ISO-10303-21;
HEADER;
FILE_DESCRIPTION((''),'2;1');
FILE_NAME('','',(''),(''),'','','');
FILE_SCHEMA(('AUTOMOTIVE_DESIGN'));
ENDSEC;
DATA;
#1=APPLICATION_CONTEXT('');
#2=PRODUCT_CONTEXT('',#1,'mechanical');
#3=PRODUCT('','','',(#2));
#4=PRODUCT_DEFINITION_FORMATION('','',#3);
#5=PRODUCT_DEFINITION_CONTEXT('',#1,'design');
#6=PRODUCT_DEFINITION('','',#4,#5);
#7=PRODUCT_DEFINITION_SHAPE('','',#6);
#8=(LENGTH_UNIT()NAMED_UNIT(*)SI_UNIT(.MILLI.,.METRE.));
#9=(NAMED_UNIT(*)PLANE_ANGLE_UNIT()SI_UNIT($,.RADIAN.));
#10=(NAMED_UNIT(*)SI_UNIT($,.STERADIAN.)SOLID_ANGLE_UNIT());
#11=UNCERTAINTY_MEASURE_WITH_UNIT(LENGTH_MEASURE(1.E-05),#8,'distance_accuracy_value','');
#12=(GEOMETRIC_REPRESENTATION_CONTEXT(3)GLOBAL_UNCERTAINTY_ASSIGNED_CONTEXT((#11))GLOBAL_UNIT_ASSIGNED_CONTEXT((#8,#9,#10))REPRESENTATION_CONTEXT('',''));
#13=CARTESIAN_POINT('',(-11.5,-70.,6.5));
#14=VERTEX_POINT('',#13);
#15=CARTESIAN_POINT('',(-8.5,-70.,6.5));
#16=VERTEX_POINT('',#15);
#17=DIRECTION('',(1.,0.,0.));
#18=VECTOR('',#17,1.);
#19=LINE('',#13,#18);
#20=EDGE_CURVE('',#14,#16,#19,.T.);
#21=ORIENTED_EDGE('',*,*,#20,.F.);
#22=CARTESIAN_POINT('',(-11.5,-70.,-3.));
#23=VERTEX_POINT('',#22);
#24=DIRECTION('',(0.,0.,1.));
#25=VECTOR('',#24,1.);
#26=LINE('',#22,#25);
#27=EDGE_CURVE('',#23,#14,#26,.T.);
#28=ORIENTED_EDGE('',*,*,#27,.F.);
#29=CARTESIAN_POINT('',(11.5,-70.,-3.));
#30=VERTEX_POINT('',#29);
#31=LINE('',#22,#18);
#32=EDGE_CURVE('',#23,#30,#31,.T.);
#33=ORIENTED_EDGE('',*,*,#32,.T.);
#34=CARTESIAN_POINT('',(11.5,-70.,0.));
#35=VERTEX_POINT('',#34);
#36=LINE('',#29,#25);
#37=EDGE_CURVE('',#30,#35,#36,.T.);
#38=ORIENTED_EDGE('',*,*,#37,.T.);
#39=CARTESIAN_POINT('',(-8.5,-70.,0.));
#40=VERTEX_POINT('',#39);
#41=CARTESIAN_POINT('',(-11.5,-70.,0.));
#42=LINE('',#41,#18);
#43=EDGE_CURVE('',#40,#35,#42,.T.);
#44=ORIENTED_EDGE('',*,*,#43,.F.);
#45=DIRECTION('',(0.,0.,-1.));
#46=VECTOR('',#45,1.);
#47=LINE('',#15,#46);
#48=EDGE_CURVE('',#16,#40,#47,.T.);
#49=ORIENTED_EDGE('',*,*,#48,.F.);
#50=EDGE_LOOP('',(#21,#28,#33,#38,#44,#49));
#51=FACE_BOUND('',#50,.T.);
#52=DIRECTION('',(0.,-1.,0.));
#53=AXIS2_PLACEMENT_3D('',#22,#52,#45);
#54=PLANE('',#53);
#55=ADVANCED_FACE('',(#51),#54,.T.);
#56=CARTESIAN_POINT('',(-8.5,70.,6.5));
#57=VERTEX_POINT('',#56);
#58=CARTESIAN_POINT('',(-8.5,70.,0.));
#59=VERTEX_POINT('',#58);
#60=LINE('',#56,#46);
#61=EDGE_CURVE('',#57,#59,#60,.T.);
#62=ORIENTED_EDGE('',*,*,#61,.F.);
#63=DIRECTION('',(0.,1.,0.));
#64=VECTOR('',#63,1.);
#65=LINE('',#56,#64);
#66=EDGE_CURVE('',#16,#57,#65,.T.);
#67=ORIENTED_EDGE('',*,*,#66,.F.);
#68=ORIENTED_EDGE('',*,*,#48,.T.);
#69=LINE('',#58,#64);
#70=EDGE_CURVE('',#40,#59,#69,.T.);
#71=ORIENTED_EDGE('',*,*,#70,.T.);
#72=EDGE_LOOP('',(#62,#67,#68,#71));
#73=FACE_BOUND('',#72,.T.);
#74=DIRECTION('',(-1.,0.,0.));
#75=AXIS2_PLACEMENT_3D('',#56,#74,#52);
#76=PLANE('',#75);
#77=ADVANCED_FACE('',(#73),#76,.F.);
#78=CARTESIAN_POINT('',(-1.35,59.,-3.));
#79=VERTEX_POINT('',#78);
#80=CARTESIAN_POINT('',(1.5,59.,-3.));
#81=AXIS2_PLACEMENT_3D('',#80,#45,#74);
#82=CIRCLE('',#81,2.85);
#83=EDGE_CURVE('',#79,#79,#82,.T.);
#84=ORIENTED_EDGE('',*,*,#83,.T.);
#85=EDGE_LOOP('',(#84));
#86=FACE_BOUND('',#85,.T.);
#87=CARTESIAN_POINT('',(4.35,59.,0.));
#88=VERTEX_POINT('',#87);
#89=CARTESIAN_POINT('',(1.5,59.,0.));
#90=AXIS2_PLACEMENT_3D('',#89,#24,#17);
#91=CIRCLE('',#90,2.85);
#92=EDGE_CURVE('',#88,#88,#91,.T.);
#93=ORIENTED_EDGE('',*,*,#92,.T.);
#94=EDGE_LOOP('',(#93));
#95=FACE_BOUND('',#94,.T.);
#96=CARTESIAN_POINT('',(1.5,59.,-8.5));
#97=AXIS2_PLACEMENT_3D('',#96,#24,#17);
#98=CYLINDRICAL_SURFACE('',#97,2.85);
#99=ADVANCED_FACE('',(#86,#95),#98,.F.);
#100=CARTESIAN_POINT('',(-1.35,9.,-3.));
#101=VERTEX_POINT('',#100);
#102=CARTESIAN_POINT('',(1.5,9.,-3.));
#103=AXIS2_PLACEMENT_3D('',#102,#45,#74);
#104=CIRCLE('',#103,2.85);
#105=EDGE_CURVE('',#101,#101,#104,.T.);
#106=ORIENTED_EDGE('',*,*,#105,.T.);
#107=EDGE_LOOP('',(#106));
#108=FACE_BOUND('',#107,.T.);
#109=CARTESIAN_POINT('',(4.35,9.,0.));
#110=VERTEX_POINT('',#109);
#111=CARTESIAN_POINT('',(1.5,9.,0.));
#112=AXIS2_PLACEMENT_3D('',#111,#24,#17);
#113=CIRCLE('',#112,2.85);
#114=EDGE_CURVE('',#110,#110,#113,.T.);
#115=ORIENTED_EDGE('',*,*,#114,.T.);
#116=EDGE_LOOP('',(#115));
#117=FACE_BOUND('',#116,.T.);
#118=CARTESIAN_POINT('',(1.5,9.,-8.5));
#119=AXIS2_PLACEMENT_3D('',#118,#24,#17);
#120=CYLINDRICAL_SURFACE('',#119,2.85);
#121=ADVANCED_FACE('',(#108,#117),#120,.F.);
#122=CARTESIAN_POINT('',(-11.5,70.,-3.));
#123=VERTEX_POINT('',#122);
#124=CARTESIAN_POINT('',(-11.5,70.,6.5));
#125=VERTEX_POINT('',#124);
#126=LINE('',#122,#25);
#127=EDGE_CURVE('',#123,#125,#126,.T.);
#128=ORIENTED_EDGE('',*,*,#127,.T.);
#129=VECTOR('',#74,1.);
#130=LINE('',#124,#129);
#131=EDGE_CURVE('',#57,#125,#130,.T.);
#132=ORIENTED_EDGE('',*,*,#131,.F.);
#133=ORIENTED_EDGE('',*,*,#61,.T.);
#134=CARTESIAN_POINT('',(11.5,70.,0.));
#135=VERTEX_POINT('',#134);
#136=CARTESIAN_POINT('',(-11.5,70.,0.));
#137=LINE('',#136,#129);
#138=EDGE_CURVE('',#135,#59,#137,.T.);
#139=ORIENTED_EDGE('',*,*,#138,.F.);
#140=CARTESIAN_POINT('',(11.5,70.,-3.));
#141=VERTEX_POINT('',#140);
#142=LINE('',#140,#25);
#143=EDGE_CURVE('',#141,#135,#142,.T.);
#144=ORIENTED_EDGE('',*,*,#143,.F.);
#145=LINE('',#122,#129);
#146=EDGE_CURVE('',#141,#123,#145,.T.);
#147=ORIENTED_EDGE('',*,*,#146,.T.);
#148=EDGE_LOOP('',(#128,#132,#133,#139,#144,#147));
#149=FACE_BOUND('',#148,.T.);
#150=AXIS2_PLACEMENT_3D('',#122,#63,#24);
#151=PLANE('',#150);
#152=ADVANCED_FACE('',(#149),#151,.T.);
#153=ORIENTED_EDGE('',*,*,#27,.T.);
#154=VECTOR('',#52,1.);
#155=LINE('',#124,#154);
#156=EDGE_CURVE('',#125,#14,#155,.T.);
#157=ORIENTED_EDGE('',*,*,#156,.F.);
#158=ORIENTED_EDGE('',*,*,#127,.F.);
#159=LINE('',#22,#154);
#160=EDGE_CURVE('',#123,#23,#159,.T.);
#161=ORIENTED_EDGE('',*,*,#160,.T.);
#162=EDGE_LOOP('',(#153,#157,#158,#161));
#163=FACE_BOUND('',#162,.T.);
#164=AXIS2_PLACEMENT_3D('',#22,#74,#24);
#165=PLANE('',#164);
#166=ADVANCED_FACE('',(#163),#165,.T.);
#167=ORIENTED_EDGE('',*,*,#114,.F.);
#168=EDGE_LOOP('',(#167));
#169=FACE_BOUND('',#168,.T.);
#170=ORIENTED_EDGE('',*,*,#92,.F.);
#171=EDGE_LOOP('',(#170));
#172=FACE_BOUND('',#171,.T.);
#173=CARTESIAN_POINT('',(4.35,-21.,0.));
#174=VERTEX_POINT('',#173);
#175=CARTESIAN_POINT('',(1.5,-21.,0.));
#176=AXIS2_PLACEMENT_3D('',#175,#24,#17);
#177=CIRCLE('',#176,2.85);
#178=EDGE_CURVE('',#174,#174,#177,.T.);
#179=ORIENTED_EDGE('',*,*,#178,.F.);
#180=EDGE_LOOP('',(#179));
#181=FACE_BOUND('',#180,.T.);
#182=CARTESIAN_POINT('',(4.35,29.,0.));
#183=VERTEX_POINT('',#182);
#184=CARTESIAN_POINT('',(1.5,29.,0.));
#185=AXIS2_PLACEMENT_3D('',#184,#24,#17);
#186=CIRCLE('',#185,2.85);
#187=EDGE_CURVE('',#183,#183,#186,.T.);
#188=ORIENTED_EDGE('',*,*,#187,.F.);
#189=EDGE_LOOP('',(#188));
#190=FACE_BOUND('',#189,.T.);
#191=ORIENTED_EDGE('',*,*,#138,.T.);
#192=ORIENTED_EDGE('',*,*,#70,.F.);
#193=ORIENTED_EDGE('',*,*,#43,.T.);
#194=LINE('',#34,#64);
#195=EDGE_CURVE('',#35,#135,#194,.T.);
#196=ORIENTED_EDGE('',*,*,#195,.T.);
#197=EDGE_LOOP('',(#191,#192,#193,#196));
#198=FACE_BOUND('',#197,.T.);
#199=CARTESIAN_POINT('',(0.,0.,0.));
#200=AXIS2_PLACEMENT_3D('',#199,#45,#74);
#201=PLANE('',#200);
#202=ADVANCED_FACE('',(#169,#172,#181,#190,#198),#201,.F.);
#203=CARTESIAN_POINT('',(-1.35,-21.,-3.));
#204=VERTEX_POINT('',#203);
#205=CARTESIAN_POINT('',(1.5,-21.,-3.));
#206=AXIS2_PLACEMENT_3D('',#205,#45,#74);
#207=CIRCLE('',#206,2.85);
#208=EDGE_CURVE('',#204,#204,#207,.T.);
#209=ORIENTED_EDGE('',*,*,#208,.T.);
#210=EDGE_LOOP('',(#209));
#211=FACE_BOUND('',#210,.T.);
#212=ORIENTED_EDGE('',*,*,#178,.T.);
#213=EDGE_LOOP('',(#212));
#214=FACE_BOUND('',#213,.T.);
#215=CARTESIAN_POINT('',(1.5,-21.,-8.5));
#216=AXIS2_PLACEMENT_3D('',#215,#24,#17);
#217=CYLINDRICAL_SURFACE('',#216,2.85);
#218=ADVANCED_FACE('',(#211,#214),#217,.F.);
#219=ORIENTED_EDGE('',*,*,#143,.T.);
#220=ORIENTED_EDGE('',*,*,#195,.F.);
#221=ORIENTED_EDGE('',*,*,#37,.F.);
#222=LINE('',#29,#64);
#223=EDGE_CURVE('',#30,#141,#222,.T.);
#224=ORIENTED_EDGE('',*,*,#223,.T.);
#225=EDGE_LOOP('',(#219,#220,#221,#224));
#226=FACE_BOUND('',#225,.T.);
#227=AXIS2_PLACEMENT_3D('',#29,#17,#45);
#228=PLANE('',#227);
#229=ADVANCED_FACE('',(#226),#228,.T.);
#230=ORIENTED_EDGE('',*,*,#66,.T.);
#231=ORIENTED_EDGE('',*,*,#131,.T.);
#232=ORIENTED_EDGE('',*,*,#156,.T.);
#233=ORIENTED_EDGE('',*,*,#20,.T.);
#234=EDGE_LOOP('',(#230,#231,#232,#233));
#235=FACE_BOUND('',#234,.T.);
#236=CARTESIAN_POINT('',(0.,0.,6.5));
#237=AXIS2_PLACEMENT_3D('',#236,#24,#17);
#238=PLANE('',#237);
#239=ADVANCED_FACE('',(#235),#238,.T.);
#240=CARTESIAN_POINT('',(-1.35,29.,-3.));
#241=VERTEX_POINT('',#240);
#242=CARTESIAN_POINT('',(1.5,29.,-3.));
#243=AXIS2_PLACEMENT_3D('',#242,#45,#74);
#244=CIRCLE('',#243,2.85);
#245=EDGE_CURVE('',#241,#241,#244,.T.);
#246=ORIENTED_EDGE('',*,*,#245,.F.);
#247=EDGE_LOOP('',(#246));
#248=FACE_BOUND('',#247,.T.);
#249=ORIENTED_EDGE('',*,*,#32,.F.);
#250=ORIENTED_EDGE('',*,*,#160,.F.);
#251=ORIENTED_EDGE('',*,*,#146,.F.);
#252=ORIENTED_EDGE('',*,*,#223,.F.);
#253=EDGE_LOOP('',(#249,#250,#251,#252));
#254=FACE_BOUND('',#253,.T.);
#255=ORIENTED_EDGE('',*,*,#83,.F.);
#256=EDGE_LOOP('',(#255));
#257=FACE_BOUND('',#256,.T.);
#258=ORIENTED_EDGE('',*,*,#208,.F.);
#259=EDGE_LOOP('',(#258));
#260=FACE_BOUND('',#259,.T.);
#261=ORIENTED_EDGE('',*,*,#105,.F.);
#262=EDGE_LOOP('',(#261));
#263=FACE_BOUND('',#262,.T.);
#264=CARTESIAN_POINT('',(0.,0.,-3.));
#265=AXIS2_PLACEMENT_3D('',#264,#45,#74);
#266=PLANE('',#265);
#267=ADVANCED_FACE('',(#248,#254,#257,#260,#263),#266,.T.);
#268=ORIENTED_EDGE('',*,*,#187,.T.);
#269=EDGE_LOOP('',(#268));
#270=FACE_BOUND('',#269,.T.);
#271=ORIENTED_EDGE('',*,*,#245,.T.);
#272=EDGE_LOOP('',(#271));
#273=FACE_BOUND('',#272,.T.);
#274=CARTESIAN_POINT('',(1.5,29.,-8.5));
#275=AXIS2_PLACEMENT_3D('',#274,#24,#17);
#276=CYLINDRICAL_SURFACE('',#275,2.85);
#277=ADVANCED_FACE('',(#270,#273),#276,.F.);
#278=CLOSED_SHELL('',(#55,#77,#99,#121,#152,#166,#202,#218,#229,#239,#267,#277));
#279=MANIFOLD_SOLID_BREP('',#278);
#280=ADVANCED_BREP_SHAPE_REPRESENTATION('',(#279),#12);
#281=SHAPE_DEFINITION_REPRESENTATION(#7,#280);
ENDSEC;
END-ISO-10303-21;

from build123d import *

# Parameters (mm, degrees)
SKETCH1_W           = 23
SKETCH1_H           = 140
BOSS_EXTRUDE1_DEPTH = 3
SKETCH4_W           = 3
SKETCH4_H           = 140
BOSS_EXTRUDE3_DEPTH = 6.5
SKETCH3_R           = 2.85
CUT_EXTRUDE5_DEPTH  = 8.5


with BuildPart() as part:
    # Sketch1 → Boss-Extrude1 (new body)
    with BuildSketch(Plane.XY):
        Rectangle(SKETCH1_W, SKETCH1_H)
    extrude(amount=-BOSS_EXTRUDE1_DEPTH)

    # Sketch4 → Boss-Extrude3 (add)
    with BuildSketch(Plane.XY):
        with Locations((-10, 0)):
            Rectangle(SKETCH4_W, SKETCH4_H)
    extrude(amount=BOSS_EXTRUDE3_DEPTH)

    # Sketch3 → Cut-Extrude5 (cut)
    with BuildSketch(Plane.XY):
        with Locations((1.5, 59)):
            Circle(SKETCH3_R)
        with Locations((1.5, 29)):
            Circle(SKETCH3_R)
        with Locations((1.5, 9)):
            Circle(SKETCH3_R)
        with Locations((1.5, -21)):
            Circle(SKETCH3_R)
    extrude(amount=-CUT_EXTRUDE5_DEPTH, mode=Mode.SUBTRACT)


solid = part.part
